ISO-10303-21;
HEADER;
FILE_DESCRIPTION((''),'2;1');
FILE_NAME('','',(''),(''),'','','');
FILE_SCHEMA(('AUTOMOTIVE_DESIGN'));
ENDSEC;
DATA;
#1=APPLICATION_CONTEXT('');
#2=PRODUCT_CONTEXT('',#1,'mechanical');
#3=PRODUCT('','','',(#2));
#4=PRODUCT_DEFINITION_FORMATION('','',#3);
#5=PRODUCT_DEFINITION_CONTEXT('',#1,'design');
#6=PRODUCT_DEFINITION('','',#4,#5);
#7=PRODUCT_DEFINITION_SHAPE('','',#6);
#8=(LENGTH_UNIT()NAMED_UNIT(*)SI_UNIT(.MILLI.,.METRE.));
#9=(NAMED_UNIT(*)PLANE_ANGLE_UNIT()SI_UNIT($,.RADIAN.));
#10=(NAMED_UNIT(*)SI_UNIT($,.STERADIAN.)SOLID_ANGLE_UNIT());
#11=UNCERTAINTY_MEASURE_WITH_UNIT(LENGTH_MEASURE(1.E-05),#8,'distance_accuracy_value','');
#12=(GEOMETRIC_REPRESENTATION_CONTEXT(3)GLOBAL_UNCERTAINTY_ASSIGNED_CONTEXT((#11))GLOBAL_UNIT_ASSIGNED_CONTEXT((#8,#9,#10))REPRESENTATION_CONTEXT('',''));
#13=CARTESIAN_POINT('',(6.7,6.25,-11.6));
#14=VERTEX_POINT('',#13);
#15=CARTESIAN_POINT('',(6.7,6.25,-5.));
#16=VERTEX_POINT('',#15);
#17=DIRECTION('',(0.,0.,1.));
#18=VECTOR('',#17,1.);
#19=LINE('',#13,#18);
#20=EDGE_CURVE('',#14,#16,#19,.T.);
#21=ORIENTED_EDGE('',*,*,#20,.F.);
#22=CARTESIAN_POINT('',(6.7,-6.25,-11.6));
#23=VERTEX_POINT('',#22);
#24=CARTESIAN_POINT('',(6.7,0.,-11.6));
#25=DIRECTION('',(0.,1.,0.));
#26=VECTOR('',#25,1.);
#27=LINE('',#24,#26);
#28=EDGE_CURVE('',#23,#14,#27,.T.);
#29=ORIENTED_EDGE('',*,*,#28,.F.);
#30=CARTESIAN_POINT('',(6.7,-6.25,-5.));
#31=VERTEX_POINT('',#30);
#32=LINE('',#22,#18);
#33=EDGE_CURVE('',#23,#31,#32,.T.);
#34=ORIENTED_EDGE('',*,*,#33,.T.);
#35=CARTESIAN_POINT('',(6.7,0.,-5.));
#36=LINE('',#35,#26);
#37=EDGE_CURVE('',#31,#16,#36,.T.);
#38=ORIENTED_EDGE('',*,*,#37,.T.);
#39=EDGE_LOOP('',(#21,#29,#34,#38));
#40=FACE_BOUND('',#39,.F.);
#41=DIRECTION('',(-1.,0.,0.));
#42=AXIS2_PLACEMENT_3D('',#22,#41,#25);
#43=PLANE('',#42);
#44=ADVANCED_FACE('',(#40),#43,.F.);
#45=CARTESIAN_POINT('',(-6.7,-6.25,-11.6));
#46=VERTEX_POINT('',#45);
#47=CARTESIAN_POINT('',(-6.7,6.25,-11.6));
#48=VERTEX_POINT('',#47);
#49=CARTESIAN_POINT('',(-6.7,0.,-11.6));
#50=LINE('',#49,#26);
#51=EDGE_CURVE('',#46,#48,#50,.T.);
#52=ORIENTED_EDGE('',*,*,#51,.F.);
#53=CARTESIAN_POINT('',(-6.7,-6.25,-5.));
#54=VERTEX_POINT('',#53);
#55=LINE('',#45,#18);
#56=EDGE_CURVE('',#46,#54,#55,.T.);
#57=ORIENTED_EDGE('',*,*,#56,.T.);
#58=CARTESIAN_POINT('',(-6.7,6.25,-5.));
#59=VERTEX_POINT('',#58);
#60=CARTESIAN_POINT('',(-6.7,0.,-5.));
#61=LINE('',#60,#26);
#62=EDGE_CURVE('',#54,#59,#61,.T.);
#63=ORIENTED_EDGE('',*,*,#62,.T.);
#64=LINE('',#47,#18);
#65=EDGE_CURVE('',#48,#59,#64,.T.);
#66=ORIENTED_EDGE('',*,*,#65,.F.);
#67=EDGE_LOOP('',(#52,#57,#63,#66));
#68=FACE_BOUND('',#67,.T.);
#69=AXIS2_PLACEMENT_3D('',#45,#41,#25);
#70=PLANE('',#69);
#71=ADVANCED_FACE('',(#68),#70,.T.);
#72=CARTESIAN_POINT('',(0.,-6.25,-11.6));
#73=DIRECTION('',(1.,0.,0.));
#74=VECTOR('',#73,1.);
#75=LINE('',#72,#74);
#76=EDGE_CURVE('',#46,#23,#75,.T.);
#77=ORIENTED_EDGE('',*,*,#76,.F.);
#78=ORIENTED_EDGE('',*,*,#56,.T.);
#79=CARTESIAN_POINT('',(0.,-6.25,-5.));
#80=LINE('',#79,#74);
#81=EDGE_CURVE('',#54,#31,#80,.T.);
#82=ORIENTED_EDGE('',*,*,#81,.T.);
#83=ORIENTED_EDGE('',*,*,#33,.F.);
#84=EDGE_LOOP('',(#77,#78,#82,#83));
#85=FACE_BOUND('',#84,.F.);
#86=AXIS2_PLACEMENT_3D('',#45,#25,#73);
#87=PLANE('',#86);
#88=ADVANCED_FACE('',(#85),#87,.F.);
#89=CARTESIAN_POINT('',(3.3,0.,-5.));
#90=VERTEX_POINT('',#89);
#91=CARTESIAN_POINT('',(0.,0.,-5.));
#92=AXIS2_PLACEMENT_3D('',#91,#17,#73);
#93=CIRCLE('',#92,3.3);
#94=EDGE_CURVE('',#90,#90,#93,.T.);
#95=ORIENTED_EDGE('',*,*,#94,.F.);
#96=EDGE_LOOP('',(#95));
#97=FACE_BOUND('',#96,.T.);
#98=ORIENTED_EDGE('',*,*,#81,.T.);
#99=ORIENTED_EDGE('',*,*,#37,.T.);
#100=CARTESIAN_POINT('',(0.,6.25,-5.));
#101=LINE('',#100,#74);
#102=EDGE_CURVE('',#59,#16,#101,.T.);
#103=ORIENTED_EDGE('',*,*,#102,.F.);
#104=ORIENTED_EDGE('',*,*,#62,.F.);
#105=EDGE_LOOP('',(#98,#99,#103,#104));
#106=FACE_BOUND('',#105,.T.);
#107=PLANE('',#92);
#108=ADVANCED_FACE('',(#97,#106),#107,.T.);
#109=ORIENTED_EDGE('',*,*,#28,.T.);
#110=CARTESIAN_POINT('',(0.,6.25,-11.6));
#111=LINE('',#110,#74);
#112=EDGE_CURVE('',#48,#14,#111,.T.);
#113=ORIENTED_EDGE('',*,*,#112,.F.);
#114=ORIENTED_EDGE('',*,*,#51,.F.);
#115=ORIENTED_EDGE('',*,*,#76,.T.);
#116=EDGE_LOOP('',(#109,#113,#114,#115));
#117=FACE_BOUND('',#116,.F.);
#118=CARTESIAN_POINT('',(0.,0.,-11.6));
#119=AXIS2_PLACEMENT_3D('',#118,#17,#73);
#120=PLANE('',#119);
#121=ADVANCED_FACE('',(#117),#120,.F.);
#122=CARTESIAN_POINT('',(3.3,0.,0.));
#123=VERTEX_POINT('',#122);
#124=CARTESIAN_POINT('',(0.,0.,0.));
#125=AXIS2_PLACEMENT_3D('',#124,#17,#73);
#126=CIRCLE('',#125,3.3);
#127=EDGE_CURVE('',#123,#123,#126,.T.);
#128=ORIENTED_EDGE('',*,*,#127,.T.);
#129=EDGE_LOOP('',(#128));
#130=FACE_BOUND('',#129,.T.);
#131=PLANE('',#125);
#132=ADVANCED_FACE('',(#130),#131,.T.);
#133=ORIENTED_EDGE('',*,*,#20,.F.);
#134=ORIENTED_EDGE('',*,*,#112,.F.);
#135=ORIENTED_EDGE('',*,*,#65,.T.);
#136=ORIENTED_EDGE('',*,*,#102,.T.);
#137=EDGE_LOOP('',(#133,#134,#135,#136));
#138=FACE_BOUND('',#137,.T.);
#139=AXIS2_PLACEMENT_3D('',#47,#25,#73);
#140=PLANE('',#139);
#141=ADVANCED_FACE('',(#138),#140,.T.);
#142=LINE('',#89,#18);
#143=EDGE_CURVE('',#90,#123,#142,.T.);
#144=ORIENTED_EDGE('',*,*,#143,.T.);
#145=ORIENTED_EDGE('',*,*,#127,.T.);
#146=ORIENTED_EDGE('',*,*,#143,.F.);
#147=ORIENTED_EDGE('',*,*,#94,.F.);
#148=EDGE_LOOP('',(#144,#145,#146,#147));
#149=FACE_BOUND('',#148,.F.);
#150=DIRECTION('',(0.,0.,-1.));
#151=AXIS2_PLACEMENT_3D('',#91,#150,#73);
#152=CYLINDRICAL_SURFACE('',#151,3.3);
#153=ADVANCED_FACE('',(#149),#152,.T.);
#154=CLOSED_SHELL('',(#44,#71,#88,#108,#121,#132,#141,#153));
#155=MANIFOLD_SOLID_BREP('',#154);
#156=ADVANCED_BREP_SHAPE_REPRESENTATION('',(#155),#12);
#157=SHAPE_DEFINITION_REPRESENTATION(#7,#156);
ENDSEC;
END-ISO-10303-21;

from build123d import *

# Parameters (mm, degrees)
BOX010_W          = 13.4
BOX010_H          = 12.5
BOX010_DEPTH      = 6.6
CYLINDER002_R     = 3.3
CYLINDER002_DEPTH = 5


with BuildPart() as rotary_base:
    # Box010 → Box010 (new body)
    with BuildSketch(Plane(origin=(-6.7, -6.25, -11.6), x_dir=(1, 0, 0), z_dir=(0, 0, 1))):
        with Locations((6.7, 6.25)):
            Rectangle(BOX010_W, BOX010_H)
    extrude(amount=BOX010_DEPTH)


with BuildPart() as fusion020:
    # Cylinder002 → Cylinder002 (new body)
    with BuildSketch(Plane.XY.offset(-5)):
        Circle(CYLINDER002_R)
    extrude(amount=CYLINDER002_DEPTH)

    # Fusion020: union ROTARY_base
    add(rotary_base.part)


solid = fusion020.part
